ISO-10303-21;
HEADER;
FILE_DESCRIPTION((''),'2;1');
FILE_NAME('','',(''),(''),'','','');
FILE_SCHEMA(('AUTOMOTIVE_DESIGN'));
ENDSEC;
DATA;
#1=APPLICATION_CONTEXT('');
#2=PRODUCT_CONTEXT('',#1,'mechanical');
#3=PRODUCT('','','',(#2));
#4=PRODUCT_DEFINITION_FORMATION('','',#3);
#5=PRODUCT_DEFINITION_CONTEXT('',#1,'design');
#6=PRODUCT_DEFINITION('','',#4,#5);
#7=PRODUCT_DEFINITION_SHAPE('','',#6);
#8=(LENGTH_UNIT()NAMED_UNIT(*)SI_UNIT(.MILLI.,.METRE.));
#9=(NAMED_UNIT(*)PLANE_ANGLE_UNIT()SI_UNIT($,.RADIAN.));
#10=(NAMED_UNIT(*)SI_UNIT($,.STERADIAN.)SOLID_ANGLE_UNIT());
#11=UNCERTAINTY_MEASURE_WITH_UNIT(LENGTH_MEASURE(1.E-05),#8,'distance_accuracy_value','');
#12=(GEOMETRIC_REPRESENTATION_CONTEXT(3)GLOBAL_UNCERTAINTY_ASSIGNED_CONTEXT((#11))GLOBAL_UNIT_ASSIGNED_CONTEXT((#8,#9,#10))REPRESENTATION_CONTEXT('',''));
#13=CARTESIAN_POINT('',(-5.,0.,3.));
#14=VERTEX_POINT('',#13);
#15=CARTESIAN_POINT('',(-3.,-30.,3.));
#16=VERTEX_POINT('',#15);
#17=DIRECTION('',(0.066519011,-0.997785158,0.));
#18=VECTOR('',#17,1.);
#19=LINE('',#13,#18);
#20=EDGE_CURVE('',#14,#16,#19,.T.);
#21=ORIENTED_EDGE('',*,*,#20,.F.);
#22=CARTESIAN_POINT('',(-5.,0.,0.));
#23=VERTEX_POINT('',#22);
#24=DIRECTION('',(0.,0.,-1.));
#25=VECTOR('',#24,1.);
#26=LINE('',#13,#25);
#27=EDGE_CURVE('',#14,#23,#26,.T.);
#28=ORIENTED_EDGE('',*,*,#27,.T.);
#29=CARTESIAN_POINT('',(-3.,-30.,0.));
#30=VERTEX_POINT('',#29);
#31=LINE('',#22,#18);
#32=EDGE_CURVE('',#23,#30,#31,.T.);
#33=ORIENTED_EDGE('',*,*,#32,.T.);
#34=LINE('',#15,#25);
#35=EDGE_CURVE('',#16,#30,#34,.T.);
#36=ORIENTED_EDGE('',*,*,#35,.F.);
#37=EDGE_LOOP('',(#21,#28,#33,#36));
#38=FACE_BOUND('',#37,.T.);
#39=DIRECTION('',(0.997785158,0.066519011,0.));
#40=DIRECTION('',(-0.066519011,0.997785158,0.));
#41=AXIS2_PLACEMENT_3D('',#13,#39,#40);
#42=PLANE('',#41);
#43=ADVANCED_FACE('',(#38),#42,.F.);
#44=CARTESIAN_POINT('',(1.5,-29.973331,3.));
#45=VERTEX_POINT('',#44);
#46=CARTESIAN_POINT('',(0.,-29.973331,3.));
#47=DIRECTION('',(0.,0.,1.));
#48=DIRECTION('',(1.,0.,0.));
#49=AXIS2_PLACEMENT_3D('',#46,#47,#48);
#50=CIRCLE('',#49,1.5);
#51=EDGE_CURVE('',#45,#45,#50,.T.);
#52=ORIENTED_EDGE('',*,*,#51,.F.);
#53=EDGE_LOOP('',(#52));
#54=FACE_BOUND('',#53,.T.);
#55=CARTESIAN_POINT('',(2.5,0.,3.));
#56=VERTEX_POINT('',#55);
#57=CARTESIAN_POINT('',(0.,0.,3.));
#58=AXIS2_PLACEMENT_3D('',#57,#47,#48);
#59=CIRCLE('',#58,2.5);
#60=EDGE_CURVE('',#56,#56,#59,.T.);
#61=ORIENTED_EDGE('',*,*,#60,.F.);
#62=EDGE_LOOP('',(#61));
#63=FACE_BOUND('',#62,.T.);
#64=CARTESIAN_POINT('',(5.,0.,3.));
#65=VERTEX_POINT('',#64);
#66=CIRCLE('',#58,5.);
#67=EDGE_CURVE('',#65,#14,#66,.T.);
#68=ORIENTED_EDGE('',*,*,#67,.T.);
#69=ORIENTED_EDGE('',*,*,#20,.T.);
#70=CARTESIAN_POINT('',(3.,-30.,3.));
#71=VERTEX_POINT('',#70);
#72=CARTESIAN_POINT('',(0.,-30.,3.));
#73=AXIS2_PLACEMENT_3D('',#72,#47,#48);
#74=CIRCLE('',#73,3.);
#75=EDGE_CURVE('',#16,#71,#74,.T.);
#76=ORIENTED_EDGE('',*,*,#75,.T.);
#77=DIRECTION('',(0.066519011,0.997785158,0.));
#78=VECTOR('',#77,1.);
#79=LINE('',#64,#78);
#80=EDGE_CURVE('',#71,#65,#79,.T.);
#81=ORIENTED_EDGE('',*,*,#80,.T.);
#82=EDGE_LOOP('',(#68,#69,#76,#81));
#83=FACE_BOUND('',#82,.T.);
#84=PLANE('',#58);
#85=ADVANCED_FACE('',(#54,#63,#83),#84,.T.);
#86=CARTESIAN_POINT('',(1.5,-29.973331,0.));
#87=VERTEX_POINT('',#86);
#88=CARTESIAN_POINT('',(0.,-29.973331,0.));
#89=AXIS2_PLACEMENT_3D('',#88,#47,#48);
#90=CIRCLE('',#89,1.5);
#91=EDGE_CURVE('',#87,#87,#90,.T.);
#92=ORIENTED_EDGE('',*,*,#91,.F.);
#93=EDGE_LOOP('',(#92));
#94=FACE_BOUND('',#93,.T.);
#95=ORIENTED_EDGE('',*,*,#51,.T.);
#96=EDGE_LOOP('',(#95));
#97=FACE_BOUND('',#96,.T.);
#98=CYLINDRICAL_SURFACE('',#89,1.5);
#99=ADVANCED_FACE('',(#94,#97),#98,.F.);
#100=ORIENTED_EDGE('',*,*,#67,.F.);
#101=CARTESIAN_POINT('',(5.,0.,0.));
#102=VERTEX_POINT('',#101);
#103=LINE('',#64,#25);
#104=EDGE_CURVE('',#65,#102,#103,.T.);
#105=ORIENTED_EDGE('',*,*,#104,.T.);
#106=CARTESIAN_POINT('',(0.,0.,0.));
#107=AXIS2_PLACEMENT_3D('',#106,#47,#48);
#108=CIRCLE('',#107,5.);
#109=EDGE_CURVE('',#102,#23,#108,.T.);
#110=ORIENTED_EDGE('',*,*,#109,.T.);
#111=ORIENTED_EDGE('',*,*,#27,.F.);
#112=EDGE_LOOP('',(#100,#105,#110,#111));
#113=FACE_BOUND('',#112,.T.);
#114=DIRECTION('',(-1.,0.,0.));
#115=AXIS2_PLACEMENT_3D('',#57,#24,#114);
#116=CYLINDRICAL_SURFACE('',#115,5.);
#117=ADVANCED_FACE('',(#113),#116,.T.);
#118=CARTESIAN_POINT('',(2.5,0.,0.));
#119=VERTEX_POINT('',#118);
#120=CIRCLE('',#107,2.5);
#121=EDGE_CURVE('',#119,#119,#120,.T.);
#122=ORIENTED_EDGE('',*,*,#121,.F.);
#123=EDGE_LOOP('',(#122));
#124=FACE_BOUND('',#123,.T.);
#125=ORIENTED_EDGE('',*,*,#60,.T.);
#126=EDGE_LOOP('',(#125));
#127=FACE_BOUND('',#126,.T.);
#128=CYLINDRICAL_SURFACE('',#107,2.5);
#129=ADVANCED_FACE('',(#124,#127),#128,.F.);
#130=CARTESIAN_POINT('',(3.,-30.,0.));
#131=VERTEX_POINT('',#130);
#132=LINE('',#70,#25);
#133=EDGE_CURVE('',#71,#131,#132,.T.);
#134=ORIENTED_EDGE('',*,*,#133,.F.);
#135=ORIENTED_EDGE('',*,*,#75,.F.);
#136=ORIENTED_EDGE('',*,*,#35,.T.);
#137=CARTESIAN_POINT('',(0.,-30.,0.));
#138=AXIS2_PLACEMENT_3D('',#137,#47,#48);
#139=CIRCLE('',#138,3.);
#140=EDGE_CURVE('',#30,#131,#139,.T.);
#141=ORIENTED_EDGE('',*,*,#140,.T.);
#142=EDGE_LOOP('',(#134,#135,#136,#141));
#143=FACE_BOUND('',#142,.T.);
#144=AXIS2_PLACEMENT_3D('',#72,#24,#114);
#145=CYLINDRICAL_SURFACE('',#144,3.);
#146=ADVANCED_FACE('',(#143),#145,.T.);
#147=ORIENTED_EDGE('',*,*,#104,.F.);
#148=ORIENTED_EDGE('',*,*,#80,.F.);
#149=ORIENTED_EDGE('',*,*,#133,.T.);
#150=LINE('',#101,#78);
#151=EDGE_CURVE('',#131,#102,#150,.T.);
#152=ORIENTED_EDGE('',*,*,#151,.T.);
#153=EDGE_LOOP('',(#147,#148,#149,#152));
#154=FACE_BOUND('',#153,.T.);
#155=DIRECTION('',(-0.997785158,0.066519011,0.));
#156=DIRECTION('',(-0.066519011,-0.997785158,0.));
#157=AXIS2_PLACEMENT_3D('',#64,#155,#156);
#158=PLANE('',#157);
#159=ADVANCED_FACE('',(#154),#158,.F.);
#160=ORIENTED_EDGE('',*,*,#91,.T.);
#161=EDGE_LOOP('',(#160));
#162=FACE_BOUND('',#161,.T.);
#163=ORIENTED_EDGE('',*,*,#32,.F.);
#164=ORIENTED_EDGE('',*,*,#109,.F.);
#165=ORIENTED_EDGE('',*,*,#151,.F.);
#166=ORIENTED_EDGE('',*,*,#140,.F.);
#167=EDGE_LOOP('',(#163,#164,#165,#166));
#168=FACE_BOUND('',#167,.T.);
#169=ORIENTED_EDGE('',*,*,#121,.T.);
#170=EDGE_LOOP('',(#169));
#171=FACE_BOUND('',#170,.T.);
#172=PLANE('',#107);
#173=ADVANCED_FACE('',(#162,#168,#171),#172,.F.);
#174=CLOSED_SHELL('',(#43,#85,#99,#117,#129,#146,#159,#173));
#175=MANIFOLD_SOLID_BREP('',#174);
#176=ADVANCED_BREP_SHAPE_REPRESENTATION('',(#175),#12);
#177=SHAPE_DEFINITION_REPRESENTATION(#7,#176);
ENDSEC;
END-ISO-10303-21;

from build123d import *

# Parameters (mm, degrees)
BOSS_EXTRUDE1_DEPTH = 3
SKETCH2_R           = 2.5
CUT_EXTRUDE1_DEPTH  = 34.51119216
SKETCH3_R           = 1.5
CUT_EXTRUDE2_DEPTH  = 34.51119216


with BuildPart() as part:
    # Sketch1 → Boss-Extrude1 (new body)
    with BuildSketch(Plane.XY):
        with BuildLine():
            Line((-5, 0), (-3, -30))
            ThreePointArc((-3, -30), (0, -33), (3, -30))
            Line((3, -30), (5, 0))
            ThreePointArc((5, 0), (0, 5), (-5, 0))
        make_face()
    extrude(amount=BOSS_EXTRUDE1_DEPTH)

    # Sketch2 → Cut-Extrude1 (cut, through all)
    with BuildSketch(Plane.XY.offset(3)):
        Circle(SKETCH2_R)
    extrude(amount=-CUT_EXTRUDE1_DEPTH, mode=Mode.SUBTRACT)

    # Sketch3 → Cut-Extrude2 (cut, through all)
    with BuildSketch(Plane.XY.offset(3)):
        with Locations((0, -29.973330892)):
            Circle(SKETCH3_R)
    extrude(amount=-CUT_EXTRUDE2_DEPTH, mode=Mode.SUBTRACT)


solid = part.part
